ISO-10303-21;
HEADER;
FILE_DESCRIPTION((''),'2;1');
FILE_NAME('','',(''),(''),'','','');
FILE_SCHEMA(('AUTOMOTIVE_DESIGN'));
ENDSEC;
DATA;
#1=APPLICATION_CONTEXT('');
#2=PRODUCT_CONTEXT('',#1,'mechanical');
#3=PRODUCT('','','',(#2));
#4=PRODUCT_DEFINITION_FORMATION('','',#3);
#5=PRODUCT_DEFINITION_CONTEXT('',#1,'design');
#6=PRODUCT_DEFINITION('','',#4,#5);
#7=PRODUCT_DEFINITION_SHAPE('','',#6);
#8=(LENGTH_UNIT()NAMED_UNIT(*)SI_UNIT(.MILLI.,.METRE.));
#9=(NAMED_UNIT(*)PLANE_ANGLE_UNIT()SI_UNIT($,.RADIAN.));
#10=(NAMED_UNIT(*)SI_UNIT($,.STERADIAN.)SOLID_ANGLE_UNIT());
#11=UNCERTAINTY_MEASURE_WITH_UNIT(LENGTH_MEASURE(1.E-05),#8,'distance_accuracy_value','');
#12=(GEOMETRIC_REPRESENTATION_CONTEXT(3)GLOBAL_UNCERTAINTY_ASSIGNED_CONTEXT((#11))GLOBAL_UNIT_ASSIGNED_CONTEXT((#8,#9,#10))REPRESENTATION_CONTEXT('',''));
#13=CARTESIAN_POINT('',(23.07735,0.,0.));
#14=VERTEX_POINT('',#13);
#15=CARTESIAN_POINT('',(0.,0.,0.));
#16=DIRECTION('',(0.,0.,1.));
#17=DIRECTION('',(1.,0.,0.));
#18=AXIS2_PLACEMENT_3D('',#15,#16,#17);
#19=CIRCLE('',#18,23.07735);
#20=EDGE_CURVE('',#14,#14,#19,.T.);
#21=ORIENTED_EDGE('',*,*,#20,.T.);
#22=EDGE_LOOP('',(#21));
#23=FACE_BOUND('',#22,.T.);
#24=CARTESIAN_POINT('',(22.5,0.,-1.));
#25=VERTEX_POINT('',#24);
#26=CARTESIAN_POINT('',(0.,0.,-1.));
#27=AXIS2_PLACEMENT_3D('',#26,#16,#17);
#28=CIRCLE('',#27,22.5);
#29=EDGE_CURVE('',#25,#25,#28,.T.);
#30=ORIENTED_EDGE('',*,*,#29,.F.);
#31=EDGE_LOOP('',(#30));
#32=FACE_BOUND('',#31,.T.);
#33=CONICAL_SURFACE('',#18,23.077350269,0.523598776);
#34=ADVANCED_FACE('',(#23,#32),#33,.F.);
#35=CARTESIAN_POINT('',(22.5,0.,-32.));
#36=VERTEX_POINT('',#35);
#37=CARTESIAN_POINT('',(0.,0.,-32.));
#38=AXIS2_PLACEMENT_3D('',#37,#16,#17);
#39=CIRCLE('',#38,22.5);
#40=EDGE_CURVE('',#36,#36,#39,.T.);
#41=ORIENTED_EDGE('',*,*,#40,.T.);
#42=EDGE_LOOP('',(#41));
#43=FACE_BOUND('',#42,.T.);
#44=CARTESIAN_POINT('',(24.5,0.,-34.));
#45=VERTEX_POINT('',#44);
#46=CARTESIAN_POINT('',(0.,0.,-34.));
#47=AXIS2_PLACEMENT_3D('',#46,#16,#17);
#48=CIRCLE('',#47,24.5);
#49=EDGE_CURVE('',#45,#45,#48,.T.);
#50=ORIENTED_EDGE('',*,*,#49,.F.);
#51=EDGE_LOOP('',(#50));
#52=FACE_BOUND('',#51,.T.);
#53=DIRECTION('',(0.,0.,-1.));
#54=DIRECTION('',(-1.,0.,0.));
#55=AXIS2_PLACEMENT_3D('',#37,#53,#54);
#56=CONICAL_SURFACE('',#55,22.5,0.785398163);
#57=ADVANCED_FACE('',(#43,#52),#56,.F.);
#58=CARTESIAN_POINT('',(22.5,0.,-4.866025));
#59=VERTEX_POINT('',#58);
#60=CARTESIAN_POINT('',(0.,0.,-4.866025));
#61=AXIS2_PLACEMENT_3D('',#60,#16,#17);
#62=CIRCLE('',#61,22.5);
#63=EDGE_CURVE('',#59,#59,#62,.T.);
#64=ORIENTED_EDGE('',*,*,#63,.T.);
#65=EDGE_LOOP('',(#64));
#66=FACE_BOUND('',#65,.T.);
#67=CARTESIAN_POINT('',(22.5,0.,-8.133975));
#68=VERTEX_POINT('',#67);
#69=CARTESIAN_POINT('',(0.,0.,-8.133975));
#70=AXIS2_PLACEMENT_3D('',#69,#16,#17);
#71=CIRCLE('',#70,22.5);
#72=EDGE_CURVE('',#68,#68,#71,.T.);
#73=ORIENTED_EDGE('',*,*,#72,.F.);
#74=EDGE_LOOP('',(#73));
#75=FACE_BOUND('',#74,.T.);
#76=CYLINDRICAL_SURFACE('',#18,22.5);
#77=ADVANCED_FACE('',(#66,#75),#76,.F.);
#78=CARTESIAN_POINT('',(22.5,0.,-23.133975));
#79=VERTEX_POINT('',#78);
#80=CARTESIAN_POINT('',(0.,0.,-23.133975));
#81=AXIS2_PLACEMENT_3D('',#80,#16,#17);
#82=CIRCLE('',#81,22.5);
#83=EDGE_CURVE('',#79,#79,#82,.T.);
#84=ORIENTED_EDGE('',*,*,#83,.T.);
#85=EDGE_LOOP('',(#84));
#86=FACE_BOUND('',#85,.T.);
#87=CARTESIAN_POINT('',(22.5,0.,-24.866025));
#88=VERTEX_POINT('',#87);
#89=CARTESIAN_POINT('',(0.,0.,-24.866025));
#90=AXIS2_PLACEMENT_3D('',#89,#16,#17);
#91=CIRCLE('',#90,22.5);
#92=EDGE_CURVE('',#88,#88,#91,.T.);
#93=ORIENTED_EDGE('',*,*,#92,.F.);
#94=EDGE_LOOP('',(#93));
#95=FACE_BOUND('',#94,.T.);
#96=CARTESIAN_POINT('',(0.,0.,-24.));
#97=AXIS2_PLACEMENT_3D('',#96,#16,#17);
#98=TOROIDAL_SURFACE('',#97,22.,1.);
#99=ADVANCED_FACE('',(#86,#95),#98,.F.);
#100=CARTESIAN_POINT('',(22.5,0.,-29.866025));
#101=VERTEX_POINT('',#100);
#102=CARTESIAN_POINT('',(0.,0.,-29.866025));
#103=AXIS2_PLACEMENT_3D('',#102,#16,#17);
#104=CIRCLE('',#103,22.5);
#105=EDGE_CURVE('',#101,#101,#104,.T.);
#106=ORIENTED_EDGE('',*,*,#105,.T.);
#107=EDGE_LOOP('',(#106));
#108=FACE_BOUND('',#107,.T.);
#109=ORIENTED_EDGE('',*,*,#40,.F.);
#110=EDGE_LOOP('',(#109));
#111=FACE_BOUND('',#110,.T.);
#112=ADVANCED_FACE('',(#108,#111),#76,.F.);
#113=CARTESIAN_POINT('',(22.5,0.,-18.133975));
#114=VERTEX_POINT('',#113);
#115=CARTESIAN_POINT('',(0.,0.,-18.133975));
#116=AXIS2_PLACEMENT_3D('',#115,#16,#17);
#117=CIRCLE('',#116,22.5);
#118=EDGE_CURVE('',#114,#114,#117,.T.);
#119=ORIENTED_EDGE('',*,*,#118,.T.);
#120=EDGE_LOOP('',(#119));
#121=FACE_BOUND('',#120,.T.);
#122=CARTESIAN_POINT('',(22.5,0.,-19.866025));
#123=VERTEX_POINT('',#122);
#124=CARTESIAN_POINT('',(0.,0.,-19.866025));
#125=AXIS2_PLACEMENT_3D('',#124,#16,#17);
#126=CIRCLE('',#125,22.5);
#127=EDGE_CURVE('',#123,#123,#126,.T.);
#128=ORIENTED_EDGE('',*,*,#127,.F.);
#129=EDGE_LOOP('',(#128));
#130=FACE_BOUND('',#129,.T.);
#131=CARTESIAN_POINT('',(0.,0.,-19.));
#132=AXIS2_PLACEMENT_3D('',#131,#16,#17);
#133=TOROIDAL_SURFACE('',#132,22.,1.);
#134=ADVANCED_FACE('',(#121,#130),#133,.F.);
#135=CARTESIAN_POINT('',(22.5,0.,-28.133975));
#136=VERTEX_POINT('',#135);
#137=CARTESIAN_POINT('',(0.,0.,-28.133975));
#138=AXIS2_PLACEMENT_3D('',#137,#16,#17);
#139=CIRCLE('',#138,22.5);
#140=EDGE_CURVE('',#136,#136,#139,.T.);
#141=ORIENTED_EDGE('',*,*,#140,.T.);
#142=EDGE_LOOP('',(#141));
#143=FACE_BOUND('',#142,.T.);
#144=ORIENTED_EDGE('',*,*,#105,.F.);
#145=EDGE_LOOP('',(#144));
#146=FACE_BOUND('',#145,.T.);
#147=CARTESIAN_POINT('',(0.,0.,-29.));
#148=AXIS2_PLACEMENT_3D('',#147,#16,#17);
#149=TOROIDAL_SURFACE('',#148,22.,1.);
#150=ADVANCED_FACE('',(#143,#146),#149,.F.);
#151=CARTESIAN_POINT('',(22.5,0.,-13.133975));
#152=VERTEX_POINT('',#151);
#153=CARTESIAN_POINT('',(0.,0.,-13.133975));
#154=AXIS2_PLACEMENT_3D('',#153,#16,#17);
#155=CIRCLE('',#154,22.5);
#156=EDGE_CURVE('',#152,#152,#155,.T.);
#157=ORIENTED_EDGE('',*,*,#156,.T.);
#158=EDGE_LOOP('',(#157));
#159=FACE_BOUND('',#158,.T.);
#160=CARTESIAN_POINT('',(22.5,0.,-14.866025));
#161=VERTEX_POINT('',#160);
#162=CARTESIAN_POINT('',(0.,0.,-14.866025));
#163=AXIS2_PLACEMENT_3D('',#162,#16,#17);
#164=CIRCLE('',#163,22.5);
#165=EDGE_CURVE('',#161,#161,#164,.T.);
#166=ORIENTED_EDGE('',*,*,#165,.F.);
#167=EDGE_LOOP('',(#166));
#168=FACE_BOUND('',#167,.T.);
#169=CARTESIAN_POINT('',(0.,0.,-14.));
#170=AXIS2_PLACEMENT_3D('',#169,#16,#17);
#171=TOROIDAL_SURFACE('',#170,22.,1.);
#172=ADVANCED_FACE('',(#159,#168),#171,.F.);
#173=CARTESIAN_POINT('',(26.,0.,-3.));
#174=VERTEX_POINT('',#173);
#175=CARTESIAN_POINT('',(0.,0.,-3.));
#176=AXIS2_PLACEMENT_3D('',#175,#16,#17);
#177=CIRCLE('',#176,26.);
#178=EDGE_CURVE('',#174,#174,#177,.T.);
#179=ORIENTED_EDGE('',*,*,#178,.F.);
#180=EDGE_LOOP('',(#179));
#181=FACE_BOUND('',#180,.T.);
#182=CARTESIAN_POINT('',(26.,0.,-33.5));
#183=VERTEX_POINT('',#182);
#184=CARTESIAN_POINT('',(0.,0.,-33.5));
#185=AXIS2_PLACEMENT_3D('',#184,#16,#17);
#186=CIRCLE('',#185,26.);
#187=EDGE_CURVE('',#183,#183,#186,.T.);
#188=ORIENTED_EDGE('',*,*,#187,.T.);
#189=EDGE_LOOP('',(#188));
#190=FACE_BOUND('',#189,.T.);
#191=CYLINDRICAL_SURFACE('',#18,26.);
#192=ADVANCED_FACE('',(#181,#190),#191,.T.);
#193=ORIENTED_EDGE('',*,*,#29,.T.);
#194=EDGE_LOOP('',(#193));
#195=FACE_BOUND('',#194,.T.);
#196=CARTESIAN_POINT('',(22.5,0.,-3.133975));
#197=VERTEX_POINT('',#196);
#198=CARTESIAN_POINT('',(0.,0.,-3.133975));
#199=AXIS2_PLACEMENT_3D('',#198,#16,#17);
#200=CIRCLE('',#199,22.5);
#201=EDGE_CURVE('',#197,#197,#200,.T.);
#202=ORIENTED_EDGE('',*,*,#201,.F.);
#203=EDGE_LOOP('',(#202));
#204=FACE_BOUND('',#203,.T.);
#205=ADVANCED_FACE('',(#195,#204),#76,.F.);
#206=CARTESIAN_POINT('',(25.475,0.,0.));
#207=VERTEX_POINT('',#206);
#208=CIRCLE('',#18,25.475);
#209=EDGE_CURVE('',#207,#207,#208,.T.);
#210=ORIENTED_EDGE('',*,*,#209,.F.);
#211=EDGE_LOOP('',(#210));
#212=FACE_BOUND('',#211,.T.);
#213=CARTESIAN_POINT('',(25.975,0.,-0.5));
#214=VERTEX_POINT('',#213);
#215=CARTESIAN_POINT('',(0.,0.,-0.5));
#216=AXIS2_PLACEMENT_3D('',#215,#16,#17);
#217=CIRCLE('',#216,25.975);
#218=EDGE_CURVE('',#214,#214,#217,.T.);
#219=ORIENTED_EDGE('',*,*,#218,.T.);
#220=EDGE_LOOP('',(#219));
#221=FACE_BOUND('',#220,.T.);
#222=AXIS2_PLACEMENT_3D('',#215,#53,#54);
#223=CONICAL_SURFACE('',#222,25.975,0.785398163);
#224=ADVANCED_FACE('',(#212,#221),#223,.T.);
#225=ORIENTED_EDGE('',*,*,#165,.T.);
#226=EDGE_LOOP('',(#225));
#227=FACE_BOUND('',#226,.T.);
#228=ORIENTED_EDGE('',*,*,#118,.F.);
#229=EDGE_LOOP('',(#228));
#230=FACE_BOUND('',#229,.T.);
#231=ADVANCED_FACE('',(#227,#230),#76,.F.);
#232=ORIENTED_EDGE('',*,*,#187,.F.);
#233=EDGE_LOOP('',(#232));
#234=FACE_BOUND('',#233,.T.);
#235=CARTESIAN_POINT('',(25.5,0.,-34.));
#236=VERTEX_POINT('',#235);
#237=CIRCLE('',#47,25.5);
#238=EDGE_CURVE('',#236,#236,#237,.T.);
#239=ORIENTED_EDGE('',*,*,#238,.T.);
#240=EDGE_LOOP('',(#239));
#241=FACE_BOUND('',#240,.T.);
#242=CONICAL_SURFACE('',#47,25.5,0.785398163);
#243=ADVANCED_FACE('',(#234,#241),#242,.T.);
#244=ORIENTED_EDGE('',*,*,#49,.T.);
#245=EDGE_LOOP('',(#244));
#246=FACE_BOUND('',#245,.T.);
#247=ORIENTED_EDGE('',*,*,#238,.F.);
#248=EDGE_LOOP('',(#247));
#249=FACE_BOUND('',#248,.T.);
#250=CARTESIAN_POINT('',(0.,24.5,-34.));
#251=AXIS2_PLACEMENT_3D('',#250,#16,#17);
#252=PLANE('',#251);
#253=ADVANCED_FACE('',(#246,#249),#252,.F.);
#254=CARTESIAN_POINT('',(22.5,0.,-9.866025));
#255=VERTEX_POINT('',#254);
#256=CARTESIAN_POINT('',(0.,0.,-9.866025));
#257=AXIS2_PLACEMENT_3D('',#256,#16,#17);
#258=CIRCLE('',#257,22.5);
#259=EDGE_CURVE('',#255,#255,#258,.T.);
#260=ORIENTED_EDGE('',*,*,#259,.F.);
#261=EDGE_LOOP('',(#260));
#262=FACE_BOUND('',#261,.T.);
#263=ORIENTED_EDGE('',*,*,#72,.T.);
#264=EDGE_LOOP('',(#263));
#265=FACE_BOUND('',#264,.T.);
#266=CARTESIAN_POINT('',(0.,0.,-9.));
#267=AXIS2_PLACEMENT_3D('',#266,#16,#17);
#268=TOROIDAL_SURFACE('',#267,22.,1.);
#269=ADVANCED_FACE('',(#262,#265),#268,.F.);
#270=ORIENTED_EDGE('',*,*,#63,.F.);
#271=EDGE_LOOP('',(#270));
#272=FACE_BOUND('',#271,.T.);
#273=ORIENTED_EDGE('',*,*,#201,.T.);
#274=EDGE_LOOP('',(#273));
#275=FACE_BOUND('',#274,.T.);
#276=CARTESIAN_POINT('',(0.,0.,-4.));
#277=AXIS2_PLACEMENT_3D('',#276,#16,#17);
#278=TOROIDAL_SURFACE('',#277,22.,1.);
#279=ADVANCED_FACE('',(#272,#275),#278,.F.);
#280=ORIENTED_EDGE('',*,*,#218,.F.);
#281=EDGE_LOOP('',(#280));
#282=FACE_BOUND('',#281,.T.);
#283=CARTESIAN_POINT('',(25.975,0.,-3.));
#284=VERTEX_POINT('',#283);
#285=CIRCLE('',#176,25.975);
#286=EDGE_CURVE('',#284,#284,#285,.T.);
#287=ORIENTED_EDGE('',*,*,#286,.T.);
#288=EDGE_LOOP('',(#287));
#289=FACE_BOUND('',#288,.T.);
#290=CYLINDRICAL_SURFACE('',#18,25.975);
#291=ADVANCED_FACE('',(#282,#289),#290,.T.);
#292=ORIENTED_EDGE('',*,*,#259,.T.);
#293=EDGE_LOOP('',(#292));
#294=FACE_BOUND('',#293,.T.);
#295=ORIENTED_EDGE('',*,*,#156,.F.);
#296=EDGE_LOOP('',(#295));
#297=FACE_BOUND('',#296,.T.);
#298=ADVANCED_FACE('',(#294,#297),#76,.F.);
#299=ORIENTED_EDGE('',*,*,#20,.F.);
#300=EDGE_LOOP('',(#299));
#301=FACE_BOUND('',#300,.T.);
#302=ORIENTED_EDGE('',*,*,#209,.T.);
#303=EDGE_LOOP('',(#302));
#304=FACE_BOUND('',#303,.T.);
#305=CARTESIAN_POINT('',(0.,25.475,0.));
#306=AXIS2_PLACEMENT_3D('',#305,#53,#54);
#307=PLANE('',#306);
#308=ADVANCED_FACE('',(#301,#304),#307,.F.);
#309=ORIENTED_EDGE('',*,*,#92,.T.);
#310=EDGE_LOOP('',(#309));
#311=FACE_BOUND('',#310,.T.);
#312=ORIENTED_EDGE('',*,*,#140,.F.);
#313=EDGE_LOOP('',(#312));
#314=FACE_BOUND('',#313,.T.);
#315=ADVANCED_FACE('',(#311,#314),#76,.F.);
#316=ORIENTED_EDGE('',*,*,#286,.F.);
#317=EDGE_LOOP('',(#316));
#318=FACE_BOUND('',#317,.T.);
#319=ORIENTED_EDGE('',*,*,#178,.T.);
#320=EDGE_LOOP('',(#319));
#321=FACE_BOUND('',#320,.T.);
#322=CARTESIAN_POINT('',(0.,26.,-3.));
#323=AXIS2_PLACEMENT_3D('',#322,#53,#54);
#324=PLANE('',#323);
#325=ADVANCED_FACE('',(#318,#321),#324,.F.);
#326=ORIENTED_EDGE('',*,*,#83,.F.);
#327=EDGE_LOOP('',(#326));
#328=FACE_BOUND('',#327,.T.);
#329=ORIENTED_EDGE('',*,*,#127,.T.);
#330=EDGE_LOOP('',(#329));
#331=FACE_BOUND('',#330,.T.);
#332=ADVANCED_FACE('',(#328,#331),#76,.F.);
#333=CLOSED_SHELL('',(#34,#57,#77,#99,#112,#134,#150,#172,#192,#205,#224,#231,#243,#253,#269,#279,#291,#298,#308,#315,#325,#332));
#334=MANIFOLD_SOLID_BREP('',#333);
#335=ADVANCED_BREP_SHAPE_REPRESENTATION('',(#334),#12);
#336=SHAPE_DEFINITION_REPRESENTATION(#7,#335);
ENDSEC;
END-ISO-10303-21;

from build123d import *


with BuildPart() as part:
    # Sketch1 → Revolve1 (revolve)
    with BuildSketch(Plane(origin=(0, 0, 0), x_dir=(0, 0, -1), z_dir=(1, 0, 0)), mode=Mode.PRIVATE) as revolve1_sk:
        with BuildLine():
            Line((3, 26), (33.5, 26))
            Line((33.5, 26), (34, 25.5))
            Line((34, 25.5), (34, 24.5))
            Line((34, 24.5), (32, 22.5))
            Line((32, 22.5), (29.866025404, 22.5))
            ThreePointArc((29.866025404, 22.5), (29, 23), (28.133974596, 22.5))
            Line((28.133974596, 22.5), (24.866025404, 22.5))
            ThreePointArc((24.866025404, 22.5), (24, 23), (23.133974596, 22.5))
            Line((23.133974596, 22.5), (19.866025404, 22.5))
            ThreePointArc((19.866025404, 22.5), (19, 23), (18.133974596, 22.5))
            Line((18.133974596, 22.5), (14.866025404, 22.5))
            ThreePointArc((14.866025404, 22.5), (14, 23), (13.133974596, 22.5))
            Line((13.133974596, 22.5), (9.866025404, 22.5))
            ThreePointArc((9.866025404, 22.5), (9, 23), (8.133974596, 22.5))
            Line((8.133974596, 22.5), (4.866025404, 22.5))
            ThreePointArc((4.866025404, 22.5), (4, 23), (3.133974596, 22.5))
            Line((3.133974596, 22.5), (1, 22.5))
            Line((1, 22.5), (0, 23.077350269))
            Line((0, 23.077350269), (0, 25.475))
            Line((0, 25.475), (0.5, 25.975))
            Line((0.5, 25.975), (3, 25.975))
            Line((3, 25.975), (3, 26))
        make_face()
    revolve(revolve1_sk.sketch.rotate(Axis((0, 0, 0), (0, 0, -1)), 90), axis=Axis((0, 0, 0), (0, 0, -1)))


solid = part.part
